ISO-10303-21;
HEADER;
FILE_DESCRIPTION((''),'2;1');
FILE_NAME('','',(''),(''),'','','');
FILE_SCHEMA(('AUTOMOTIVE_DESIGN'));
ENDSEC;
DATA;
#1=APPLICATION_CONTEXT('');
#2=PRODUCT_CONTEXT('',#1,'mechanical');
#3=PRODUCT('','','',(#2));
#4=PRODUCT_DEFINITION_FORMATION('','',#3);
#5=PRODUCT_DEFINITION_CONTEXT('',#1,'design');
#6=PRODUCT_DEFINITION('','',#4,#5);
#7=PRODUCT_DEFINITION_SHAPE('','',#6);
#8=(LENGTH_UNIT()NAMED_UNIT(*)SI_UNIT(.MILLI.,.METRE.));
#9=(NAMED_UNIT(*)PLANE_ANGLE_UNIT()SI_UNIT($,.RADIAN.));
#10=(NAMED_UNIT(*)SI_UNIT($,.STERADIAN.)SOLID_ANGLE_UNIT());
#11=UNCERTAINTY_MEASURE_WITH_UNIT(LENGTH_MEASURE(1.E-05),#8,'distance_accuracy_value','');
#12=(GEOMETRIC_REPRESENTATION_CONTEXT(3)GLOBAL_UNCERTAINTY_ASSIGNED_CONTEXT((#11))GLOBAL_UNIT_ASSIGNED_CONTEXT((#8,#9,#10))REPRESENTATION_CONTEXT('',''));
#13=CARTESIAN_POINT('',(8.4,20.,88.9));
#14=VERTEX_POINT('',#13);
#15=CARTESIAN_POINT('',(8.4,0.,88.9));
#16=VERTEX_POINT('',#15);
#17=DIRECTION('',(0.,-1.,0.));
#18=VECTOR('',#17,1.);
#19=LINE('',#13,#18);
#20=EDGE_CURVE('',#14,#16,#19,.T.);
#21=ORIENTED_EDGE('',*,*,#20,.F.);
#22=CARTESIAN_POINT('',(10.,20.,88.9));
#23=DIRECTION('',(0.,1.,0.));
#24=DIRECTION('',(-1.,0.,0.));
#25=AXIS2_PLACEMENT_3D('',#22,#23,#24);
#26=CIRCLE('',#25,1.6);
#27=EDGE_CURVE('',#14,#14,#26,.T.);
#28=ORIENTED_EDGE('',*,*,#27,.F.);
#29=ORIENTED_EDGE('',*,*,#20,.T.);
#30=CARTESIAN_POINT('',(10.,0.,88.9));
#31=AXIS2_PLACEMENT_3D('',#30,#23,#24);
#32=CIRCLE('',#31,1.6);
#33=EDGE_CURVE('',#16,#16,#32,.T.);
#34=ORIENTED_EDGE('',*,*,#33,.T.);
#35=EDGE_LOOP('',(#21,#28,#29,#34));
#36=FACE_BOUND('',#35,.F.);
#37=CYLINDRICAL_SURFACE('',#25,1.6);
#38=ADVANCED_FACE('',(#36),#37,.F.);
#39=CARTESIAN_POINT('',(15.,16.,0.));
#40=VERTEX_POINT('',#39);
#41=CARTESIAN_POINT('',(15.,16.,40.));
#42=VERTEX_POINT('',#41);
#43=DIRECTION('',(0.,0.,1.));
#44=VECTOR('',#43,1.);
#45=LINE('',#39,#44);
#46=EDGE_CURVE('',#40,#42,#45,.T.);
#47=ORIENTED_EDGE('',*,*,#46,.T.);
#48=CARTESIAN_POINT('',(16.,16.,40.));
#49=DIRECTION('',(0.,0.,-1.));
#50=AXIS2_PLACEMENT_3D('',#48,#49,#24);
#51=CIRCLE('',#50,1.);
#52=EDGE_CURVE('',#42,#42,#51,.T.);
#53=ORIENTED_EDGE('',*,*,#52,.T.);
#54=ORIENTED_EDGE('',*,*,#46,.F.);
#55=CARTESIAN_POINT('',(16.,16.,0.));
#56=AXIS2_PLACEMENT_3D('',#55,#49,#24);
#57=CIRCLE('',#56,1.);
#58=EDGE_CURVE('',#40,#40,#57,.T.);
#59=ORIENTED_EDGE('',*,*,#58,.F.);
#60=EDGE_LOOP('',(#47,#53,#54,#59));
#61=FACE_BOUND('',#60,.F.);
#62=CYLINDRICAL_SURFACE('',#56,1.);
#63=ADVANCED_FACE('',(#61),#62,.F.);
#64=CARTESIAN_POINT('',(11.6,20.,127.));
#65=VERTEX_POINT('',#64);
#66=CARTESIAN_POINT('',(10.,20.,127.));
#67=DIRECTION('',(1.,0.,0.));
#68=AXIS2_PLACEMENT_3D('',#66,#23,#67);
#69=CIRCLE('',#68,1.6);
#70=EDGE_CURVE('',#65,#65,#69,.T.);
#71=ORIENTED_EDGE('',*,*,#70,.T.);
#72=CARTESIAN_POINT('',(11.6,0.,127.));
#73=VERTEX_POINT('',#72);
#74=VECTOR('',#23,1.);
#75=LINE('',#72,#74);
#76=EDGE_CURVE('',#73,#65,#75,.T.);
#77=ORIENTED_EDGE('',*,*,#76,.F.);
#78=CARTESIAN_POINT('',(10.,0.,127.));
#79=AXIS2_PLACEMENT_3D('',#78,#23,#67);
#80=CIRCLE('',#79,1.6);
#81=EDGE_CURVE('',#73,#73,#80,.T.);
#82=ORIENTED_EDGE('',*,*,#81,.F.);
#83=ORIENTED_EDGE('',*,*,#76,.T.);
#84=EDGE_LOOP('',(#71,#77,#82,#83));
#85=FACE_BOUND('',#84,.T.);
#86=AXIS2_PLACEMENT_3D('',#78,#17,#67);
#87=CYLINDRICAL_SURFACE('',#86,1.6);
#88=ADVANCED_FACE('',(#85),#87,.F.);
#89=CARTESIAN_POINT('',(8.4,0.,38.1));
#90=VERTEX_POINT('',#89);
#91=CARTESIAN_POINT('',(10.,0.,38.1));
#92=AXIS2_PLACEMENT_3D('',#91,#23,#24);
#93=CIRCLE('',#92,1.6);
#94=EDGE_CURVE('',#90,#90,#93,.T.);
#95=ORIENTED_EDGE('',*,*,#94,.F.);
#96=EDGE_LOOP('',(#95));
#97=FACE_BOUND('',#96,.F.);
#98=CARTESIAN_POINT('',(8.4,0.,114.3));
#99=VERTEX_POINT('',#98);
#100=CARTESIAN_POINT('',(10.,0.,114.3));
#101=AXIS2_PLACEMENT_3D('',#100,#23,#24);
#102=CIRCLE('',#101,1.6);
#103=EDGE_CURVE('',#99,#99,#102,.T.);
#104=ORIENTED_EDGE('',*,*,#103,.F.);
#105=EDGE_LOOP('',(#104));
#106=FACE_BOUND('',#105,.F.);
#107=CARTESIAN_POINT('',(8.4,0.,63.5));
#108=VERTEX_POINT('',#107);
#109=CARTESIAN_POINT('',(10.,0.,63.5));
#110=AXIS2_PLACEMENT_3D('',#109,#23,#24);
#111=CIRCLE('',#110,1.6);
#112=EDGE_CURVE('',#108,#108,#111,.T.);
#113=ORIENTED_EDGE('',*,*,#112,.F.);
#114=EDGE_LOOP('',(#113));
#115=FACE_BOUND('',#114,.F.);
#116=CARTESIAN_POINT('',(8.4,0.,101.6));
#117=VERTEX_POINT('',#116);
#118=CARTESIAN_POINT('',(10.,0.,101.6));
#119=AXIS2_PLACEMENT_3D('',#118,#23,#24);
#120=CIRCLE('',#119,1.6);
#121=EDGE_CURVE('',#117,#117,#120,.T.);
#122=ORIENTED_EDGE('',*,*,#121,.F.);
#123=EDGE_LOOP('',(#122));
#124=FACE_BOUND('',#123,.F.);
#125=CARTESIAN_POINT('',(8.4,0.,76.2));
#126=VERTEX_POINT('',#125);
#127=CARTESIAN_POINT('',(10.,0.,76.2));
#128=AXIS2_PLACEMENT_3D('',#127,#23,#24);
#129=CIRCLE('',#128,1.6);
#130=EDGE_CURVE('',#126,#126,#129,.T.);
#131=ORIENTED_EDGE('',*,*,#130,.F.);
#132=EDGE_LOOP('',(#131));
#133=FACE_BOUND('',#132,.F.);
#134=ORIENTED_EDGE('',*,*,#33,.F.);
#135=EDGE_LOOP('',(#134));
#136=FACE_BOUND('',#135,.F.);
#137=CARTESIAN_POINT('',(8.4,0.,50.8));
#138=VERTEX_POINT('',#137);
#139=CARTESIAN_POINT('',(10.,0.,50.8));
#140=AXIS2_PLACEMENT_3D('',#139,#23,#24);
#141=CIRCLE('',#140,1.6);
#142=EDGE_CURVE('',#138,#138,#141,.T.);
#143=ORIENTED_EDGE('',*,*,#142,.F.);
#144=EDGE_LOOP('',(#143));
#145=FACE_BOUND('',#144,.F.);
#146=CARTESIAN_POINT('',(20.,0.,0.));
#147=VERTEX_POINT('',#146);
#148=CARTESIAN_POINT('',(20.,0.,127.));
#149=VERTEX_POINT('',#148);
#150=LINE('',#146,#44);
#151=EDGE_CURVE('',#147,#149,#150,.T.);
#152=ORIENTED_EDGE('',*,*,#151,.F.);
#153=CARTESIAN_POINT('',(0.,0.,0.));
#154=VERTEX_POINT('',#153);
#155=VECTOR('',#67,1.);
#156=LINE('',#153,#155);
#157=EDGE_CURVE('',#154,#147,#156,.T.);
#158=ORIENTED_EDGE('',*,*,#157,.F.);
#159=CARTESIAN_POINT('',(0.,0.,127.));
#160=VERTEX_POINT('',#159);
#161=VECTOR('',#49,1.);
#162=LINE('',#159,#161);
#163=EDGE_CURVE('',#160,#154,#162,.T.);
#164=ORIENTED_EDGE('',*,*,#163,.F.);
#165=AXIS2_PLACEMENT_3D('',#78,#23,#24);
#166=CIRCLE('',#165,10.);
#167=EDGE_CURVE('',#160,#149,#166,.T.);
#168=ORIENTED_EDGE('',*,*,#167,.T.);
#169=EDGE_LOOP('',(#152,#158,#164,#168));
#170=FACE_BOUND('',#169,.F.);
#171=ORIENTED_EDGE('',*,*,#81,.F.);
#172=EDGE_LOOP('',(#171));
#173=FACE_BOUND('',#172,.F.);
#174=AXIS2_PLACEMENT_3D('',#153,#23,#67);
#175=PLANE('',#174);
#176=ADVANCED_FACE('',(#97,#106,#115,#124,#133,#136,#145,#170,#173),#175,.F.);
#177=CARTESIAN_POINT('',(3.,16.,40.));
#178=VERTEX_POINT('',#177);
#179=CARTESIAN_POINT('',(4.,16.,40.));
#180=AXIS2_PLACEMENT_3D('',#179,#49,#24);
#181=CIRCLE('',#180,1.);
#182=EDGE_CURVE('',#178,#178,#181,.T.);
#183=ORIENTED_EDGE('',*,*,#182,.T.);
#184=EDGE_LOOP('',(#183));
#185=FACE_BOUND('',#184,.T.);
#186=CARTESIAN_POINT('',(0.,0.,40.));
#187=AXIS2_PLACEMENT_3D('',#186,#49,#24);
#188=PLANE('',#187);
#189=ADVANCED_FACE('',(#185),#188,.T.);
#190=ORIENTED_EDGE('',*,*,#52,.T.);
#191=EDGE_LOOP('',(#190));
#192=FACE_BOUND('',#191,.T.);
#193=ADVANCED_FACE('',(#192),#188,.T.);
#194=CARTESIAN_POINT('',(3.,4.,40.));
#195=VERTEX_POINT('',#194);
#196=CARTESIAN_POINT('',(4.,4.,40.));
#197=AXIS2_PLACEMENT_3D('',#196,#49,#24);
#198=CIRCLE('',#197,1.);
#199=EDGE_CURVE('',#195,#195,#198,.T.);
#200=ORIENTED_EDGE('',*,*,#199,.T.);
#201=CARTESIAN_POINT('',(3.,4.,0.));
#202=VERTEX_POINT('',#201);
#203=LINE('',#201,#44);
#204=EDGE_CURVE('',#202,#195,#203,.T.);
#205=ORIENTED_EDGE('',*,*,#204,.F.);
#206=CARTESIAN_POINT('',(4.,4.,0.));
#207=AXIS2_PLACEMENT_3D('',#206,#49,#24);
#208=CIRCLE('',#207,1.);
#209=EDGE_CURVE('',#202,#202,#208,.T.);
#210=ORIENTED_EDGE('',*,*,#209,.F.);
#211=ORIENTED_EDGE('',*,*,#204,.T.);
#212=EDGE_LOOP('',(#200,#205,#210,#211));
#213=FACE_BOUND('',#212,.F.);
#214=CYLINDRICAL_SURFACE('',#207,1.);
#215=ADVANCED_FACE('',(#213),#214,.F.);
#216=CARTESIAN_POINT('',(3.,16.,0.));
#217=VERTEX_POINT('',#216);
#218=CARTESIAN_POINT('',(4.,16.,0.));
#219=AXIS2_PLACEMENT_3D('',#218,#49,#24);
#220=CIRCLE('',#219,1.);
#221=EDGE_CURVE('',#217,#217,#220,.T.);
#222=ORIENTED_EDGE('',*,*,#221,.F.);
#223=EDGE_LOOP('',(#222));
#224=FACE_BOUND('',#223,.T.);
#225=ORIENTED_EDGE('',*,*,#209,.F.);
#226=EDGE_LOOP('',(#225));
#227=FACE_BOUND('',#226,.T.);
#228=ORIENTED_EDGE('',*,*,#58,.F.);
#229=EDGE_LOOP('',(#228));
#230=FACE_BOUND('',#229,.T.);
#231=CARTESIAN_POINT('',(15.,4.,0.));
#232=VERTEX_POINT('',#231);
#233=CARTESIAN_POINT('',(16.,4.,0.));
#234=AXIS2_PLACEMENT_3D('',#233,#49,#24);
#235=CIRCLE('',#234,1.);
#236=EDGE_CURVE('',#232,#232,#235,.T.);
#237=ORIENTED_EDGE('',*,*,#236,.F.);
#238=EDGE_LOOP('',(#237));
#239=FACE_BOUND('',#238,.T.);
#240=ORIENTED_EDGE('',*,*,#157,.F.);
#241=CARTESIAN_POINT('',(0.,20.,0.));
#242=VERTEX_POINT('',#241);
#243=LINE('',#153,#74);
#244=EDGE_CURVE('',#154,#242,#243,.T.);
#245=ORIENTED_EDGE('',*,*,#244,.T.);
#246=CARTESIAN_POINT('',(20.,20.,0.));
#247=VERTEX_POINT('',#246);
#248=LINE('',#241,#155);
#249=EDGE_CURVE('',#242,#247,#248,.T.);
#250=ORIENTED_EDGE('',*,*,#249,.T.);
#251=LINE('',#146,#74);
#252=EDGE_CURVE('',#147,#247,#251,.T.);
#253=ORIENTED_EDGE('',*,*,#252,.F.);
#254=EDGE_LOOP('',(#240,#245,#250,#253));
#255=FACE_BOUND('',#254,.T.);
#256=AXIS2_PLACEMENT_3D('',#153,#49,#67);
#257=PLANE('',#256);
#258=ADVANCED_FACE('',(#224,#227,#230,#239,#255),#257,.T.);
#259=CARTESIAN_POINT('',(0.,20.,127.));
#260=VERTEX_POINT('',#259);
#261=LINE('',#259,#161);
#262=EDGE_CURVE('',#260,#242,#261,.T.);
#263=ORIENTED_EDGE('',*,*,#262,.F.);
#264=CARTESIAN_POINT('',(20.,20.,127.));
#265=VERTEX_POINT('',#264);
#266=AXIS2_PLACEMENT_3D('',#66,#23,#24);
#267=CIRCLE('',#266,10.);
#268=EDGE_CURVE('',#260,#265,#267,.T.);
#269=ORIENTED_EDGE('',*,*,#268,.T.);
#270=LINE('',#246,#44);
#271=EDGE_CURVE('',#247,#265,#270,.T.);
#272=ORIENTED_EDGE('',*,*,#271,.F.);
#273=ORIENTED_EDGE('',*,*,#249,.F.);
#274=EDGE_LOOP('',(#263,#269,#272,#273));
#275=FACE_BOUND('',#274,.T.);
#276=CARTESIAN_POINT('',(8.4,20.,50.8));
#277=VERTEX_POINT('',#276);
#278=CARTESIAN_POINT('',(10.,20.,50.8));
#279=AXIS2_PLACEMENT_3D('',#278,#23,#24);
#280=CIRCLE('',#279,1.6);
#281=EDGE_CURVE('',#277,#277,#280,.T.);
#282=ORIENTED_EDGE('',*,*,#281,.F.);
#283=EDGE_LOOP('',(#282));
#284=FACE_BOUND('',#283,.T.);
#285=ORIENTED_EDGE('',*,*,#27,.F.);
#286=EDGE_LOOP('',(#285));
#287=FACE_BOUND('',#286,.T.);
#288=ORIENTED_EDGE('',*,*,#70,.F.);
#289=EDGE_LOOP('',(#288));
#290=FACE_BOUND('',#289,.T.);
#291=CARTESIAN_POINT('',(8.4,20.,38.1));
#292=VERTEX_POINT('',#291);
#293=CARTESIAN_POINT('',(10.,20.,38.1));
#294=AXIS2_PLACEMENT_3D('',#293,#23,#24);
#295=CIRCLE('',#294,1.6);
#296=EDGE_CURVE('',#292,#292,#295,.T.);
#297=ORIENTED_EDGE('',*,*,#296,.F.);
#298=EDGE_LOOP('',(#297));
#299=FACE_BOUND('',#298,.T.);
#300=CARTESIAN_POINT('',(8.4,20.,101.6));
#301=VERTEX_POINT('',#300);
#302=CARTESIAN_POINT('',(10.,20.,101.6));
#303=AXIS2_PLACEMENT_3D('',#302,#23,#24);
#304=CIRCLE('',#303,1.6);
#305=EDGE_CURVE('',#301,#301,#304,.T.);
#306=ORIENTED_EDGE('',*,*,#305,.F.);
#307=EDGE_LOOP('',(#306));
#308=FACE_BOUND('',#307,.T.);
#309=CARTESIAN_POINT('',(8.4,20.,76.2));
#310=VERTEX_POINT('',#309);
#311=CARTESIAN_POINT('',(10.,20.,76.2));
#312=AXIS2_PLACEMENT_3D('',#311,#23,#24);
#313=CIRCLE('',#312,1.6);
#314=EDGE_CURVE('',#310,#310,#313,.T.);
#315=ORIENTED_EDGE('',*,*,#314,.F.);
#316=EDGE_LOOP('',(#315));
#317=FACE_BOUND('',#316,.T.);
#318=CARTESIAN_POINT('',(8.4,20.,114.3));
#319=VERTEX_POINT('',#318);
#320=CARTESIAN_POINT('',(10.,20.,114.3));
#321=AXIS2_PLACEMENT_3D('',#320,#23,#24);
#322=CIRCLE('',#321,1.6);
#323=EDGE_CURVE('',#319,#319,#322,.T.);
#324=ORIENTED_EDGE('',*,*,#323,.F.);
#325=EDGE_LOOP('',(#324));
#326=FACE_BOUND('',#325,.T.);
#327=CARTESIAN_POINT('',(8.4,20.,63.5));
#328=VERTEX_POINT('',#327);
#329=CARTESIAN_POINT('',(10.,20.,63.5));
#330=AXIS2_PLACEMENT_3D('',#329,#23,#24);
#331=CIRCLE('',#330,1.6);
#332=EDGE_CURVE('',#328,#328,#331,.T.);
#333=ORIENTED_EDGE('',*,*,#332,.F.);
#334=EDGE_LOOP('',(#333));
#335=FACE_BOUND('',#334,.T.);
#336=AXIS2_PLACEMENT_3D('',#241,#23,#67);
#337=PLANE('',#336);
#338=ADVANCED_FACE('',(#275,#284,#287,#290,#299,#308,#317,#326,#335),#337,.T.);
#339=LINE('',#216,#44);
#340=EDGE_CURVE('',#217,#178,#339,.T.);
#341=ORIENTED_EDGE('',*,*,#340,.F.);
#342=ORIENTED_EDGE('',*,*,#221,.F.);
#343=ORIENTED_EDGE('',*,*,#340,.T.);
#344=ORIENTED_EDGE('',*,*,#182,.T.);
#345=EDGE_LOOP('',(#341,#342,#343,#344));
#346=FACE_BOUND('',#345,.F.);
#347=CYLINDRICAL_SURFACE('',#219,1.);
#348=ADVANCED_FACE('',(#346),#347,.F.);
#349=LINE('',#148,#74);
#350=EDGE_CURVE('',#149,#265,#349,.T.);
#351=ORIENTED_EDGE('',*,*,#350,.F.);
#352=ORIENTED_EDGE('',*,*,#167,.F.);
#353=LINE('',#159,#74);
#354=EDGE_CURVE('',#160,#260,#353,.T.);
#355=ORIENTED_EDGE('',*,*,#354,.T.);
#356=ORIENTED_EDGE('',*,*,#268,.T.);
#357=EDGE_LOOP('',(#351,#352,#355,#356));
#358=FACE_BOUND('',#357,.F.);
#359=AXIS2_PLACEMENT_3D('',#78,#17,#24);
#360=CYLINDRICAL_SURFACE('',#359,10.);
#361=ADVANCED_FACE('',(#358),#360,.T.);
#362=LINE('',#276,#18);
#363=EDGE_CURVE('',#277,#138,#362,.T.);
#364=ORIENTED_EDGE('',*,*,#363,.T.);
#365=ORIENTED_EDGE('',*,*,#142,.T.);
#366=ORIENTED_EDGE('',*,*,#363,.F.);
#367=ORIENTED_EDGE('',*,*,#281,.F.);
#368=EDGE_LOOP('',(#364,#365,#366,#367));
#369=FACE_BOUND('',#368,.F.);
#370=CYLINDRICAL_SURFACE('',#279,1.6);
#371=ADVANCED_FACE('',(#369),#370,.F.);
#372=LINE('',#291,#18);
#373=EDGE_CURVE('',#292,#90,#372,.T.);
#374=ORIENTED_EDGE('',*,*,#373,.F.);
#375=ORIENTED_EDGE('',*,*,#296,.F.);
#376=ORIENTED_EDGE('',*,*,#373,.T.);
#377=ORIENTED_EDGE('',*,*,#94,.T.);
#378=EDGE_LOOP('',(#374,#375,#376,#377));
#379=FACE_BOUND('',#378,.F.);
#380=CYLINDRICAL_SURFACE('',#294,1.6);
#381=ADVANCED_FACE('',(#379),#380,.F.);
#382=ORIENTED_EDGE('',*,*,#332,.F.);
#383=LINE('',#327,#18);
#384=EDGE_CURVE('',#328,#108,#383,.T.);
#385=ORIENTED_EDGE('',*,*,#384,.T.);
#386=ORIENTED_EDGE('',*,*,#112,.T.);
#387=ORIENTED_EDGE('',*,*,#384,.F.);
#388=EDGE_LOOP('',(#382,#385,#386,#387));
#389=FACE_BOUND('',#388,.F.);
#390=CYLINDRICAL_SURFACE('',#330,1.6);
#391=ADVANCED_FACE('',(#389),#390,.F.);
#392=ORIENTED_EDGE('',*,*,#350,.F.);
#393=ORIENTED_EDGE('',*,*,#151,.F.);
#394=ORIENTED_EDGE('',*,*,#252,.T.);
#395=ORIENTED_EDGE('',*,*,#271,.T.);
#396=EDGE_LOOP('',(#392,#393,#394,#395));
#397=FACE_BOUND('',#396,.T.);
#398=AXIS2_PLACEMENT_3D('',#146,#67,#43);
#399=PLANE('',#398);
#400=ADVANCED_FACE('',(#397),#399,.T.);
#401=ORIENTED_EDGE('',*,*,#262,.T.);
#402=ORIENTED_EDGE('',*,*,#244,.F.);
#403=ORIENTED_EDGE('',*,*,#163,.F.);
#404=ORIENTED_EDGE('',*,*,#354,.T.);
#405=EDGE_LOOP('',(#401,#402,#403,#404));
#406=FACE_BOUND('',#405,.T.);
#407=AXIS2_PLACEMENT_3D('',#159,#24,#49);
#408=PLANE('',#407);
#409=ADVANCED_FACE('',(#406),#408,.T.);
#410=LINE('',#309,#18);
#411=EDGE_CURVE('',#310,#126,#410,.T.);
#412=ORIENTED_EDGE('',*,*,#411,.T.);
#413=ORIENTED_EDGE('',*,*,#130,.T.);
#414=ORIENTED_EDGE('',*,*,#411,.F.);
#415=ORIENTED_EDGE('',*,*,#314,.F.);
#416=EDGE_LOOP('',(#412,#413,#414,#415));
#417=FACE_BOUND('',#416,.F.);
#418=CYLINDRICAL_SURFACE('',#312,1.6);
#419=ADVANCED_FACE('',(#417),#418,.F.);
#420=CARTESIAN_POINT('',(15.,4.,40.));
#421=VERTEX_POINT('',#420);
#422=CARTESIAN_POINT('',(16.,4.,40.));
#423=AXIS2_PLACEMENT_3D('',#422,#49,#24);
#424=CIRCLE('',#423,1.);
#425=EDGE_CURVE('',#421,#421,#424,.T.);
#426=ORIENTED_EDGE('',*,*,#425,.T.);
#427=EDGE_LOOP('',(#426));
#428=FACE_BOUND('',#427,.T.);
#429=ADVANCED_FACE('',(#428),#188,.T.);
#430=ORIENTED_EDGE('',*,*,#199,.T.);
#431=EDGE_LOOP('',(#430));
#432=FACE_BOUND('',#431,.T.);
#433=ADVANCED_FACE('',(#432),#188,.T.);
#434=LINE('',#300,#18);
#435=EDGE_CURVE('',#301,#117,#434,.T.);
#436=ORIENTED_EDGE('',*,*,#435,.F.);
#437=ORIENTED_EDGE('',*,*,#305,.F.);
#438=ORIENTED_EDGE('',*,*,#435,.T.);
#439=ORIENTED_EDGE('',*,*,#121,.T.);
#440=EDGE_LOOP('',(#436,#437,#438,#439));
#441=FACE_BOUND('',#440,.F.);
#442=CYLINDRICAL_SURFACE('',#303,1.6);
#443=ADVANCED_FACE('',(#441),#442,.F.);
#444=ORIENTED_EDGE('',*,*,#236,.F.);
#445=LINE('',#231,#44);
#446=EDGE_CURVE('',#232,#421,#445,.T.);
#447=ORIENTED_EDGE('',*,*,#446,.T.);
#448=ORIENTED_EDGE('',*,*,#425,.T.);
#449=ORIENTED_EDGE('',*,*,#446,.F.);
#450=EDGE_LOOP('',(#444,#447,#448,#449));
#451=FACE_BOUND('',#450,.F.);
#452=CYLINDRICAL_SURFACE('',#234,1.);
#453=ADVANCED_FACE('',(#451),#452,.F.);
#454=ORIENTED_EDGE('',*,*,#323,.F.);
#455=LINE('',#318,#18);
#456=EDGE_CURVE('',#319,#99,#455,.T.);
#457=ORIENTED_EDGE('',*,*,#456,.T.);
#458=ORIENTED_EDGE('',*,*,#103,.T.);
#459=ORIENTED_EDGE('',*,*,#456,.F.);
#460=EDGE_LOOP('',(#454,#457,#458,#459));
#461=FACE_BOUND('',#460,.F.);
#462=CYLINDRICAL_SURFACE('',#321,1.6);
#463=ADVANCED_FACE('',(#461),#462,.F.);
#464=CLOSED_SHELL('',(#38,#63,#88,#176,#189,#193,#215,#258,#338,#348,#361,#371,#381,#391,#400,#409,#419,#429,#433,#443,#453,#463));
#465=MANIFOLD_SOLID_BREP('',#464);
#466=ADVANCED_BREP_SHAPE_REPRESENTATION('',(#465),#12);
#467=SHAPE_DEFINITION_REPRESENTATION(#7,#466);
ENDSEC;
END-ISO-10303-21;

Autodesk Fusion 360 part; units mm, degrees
sketch "Sketch1" plane through (0, 0, 0) normal (0, 1, 0) x (1, 0, 0)
  line L0 (20, 0) -> (20, -127)
  line L1 (0, -127) -> (0, 0)
  arc A0 (0, -127) -> (20, -127) centre (10, -127) ccw
  line L2 (0, 0) -> (20, 0)
  circle A1 centre (10, -127) radius 1.6
  dimension "d1" = 20
  dimension "d2" = 127
  dimension "d3" = 3.2
extrude "Extrude1" add sketch "Sketch1" along normal blind 20
sketch "Sketch2" plane through (0, 0, 0) normal (0, 0, -1) x (-1, 0, 0)
  line L0 (-20, 0) -> (0, 0)
  line L1 (0, 0) -> (0, 20)
  line L2 (0, 20) -> (-20, 20)
  line L3 (-20, 20) -> (-20, 0)
  line L4 (-20, 20) -> (0, 20)
  line L5 (0, 20) -> (0, 0)
  line L6 (0, 0) -> (-20, 0)
  line L7 (-20, 0) -> (-20, 20)
  circle A0 centre (-16, 16) radius 1
  circle A1 centre (-4, 16) radius 1
  circle A2 centre (-16, 4) radius 1
  circle A3 centre (-4, 4) radius 1
  dimension "d6" = 2
  dimension "d7" = 2
  dimension "d8" = 2
  dimension "d9" = 2
  dimension "d16" = 4
  dimension "d17" = 4
  dimension "d18" = 4
  dimension "d19" = 4
  dimension "d20" = 4
  dimension "d21" = 4
  dimension "d22" = 4
  dimension "d23" = 4
extrude "Extrude2" cut sketch "Sketch2" against normal blind 40 contours A0 | A1 | A2 | A3
sketch "Sketch3" plane through (0, 20, 0) normal (0, 1, 0) x (-1, 0, 0)
  circle A0 centre (-10, 127) radius 1.6
  arc A1 (0, 127) -> (-20, 127) centre (-10, 127) ccw
  line L0 (-20, 127) -> (-20, 0)
  line L1 (-20, 0) -> (0, 0)
  line L2 (0, 0) -> (0, 127)
  circle A2 centre (-10, 114.3) radius 1.6
  circle A3 centre (-10, 101.6) radius 1.6
  circle A4 centre (-10, 88.9) radius 1.6
  circle A5 centre (-10, 76.2) radius 1.6
  circle A6 centre (-10, 63.5) radius 1.6
  circle A7 centre (-10, 50.8) radius 1.6
  circle A8 centre (-10, 38.1) radius 1.6
  dimension "d24" = 3.2
  dimension "d25" = 12.7
  dimension "d28" = 0
  dimension "d29" = -12.7
extrude "Extrude3" cut sketch "Sketch3" against normal blind 170 contours A2 | A3 | A4 | A5 | A6 | A7 | A8
